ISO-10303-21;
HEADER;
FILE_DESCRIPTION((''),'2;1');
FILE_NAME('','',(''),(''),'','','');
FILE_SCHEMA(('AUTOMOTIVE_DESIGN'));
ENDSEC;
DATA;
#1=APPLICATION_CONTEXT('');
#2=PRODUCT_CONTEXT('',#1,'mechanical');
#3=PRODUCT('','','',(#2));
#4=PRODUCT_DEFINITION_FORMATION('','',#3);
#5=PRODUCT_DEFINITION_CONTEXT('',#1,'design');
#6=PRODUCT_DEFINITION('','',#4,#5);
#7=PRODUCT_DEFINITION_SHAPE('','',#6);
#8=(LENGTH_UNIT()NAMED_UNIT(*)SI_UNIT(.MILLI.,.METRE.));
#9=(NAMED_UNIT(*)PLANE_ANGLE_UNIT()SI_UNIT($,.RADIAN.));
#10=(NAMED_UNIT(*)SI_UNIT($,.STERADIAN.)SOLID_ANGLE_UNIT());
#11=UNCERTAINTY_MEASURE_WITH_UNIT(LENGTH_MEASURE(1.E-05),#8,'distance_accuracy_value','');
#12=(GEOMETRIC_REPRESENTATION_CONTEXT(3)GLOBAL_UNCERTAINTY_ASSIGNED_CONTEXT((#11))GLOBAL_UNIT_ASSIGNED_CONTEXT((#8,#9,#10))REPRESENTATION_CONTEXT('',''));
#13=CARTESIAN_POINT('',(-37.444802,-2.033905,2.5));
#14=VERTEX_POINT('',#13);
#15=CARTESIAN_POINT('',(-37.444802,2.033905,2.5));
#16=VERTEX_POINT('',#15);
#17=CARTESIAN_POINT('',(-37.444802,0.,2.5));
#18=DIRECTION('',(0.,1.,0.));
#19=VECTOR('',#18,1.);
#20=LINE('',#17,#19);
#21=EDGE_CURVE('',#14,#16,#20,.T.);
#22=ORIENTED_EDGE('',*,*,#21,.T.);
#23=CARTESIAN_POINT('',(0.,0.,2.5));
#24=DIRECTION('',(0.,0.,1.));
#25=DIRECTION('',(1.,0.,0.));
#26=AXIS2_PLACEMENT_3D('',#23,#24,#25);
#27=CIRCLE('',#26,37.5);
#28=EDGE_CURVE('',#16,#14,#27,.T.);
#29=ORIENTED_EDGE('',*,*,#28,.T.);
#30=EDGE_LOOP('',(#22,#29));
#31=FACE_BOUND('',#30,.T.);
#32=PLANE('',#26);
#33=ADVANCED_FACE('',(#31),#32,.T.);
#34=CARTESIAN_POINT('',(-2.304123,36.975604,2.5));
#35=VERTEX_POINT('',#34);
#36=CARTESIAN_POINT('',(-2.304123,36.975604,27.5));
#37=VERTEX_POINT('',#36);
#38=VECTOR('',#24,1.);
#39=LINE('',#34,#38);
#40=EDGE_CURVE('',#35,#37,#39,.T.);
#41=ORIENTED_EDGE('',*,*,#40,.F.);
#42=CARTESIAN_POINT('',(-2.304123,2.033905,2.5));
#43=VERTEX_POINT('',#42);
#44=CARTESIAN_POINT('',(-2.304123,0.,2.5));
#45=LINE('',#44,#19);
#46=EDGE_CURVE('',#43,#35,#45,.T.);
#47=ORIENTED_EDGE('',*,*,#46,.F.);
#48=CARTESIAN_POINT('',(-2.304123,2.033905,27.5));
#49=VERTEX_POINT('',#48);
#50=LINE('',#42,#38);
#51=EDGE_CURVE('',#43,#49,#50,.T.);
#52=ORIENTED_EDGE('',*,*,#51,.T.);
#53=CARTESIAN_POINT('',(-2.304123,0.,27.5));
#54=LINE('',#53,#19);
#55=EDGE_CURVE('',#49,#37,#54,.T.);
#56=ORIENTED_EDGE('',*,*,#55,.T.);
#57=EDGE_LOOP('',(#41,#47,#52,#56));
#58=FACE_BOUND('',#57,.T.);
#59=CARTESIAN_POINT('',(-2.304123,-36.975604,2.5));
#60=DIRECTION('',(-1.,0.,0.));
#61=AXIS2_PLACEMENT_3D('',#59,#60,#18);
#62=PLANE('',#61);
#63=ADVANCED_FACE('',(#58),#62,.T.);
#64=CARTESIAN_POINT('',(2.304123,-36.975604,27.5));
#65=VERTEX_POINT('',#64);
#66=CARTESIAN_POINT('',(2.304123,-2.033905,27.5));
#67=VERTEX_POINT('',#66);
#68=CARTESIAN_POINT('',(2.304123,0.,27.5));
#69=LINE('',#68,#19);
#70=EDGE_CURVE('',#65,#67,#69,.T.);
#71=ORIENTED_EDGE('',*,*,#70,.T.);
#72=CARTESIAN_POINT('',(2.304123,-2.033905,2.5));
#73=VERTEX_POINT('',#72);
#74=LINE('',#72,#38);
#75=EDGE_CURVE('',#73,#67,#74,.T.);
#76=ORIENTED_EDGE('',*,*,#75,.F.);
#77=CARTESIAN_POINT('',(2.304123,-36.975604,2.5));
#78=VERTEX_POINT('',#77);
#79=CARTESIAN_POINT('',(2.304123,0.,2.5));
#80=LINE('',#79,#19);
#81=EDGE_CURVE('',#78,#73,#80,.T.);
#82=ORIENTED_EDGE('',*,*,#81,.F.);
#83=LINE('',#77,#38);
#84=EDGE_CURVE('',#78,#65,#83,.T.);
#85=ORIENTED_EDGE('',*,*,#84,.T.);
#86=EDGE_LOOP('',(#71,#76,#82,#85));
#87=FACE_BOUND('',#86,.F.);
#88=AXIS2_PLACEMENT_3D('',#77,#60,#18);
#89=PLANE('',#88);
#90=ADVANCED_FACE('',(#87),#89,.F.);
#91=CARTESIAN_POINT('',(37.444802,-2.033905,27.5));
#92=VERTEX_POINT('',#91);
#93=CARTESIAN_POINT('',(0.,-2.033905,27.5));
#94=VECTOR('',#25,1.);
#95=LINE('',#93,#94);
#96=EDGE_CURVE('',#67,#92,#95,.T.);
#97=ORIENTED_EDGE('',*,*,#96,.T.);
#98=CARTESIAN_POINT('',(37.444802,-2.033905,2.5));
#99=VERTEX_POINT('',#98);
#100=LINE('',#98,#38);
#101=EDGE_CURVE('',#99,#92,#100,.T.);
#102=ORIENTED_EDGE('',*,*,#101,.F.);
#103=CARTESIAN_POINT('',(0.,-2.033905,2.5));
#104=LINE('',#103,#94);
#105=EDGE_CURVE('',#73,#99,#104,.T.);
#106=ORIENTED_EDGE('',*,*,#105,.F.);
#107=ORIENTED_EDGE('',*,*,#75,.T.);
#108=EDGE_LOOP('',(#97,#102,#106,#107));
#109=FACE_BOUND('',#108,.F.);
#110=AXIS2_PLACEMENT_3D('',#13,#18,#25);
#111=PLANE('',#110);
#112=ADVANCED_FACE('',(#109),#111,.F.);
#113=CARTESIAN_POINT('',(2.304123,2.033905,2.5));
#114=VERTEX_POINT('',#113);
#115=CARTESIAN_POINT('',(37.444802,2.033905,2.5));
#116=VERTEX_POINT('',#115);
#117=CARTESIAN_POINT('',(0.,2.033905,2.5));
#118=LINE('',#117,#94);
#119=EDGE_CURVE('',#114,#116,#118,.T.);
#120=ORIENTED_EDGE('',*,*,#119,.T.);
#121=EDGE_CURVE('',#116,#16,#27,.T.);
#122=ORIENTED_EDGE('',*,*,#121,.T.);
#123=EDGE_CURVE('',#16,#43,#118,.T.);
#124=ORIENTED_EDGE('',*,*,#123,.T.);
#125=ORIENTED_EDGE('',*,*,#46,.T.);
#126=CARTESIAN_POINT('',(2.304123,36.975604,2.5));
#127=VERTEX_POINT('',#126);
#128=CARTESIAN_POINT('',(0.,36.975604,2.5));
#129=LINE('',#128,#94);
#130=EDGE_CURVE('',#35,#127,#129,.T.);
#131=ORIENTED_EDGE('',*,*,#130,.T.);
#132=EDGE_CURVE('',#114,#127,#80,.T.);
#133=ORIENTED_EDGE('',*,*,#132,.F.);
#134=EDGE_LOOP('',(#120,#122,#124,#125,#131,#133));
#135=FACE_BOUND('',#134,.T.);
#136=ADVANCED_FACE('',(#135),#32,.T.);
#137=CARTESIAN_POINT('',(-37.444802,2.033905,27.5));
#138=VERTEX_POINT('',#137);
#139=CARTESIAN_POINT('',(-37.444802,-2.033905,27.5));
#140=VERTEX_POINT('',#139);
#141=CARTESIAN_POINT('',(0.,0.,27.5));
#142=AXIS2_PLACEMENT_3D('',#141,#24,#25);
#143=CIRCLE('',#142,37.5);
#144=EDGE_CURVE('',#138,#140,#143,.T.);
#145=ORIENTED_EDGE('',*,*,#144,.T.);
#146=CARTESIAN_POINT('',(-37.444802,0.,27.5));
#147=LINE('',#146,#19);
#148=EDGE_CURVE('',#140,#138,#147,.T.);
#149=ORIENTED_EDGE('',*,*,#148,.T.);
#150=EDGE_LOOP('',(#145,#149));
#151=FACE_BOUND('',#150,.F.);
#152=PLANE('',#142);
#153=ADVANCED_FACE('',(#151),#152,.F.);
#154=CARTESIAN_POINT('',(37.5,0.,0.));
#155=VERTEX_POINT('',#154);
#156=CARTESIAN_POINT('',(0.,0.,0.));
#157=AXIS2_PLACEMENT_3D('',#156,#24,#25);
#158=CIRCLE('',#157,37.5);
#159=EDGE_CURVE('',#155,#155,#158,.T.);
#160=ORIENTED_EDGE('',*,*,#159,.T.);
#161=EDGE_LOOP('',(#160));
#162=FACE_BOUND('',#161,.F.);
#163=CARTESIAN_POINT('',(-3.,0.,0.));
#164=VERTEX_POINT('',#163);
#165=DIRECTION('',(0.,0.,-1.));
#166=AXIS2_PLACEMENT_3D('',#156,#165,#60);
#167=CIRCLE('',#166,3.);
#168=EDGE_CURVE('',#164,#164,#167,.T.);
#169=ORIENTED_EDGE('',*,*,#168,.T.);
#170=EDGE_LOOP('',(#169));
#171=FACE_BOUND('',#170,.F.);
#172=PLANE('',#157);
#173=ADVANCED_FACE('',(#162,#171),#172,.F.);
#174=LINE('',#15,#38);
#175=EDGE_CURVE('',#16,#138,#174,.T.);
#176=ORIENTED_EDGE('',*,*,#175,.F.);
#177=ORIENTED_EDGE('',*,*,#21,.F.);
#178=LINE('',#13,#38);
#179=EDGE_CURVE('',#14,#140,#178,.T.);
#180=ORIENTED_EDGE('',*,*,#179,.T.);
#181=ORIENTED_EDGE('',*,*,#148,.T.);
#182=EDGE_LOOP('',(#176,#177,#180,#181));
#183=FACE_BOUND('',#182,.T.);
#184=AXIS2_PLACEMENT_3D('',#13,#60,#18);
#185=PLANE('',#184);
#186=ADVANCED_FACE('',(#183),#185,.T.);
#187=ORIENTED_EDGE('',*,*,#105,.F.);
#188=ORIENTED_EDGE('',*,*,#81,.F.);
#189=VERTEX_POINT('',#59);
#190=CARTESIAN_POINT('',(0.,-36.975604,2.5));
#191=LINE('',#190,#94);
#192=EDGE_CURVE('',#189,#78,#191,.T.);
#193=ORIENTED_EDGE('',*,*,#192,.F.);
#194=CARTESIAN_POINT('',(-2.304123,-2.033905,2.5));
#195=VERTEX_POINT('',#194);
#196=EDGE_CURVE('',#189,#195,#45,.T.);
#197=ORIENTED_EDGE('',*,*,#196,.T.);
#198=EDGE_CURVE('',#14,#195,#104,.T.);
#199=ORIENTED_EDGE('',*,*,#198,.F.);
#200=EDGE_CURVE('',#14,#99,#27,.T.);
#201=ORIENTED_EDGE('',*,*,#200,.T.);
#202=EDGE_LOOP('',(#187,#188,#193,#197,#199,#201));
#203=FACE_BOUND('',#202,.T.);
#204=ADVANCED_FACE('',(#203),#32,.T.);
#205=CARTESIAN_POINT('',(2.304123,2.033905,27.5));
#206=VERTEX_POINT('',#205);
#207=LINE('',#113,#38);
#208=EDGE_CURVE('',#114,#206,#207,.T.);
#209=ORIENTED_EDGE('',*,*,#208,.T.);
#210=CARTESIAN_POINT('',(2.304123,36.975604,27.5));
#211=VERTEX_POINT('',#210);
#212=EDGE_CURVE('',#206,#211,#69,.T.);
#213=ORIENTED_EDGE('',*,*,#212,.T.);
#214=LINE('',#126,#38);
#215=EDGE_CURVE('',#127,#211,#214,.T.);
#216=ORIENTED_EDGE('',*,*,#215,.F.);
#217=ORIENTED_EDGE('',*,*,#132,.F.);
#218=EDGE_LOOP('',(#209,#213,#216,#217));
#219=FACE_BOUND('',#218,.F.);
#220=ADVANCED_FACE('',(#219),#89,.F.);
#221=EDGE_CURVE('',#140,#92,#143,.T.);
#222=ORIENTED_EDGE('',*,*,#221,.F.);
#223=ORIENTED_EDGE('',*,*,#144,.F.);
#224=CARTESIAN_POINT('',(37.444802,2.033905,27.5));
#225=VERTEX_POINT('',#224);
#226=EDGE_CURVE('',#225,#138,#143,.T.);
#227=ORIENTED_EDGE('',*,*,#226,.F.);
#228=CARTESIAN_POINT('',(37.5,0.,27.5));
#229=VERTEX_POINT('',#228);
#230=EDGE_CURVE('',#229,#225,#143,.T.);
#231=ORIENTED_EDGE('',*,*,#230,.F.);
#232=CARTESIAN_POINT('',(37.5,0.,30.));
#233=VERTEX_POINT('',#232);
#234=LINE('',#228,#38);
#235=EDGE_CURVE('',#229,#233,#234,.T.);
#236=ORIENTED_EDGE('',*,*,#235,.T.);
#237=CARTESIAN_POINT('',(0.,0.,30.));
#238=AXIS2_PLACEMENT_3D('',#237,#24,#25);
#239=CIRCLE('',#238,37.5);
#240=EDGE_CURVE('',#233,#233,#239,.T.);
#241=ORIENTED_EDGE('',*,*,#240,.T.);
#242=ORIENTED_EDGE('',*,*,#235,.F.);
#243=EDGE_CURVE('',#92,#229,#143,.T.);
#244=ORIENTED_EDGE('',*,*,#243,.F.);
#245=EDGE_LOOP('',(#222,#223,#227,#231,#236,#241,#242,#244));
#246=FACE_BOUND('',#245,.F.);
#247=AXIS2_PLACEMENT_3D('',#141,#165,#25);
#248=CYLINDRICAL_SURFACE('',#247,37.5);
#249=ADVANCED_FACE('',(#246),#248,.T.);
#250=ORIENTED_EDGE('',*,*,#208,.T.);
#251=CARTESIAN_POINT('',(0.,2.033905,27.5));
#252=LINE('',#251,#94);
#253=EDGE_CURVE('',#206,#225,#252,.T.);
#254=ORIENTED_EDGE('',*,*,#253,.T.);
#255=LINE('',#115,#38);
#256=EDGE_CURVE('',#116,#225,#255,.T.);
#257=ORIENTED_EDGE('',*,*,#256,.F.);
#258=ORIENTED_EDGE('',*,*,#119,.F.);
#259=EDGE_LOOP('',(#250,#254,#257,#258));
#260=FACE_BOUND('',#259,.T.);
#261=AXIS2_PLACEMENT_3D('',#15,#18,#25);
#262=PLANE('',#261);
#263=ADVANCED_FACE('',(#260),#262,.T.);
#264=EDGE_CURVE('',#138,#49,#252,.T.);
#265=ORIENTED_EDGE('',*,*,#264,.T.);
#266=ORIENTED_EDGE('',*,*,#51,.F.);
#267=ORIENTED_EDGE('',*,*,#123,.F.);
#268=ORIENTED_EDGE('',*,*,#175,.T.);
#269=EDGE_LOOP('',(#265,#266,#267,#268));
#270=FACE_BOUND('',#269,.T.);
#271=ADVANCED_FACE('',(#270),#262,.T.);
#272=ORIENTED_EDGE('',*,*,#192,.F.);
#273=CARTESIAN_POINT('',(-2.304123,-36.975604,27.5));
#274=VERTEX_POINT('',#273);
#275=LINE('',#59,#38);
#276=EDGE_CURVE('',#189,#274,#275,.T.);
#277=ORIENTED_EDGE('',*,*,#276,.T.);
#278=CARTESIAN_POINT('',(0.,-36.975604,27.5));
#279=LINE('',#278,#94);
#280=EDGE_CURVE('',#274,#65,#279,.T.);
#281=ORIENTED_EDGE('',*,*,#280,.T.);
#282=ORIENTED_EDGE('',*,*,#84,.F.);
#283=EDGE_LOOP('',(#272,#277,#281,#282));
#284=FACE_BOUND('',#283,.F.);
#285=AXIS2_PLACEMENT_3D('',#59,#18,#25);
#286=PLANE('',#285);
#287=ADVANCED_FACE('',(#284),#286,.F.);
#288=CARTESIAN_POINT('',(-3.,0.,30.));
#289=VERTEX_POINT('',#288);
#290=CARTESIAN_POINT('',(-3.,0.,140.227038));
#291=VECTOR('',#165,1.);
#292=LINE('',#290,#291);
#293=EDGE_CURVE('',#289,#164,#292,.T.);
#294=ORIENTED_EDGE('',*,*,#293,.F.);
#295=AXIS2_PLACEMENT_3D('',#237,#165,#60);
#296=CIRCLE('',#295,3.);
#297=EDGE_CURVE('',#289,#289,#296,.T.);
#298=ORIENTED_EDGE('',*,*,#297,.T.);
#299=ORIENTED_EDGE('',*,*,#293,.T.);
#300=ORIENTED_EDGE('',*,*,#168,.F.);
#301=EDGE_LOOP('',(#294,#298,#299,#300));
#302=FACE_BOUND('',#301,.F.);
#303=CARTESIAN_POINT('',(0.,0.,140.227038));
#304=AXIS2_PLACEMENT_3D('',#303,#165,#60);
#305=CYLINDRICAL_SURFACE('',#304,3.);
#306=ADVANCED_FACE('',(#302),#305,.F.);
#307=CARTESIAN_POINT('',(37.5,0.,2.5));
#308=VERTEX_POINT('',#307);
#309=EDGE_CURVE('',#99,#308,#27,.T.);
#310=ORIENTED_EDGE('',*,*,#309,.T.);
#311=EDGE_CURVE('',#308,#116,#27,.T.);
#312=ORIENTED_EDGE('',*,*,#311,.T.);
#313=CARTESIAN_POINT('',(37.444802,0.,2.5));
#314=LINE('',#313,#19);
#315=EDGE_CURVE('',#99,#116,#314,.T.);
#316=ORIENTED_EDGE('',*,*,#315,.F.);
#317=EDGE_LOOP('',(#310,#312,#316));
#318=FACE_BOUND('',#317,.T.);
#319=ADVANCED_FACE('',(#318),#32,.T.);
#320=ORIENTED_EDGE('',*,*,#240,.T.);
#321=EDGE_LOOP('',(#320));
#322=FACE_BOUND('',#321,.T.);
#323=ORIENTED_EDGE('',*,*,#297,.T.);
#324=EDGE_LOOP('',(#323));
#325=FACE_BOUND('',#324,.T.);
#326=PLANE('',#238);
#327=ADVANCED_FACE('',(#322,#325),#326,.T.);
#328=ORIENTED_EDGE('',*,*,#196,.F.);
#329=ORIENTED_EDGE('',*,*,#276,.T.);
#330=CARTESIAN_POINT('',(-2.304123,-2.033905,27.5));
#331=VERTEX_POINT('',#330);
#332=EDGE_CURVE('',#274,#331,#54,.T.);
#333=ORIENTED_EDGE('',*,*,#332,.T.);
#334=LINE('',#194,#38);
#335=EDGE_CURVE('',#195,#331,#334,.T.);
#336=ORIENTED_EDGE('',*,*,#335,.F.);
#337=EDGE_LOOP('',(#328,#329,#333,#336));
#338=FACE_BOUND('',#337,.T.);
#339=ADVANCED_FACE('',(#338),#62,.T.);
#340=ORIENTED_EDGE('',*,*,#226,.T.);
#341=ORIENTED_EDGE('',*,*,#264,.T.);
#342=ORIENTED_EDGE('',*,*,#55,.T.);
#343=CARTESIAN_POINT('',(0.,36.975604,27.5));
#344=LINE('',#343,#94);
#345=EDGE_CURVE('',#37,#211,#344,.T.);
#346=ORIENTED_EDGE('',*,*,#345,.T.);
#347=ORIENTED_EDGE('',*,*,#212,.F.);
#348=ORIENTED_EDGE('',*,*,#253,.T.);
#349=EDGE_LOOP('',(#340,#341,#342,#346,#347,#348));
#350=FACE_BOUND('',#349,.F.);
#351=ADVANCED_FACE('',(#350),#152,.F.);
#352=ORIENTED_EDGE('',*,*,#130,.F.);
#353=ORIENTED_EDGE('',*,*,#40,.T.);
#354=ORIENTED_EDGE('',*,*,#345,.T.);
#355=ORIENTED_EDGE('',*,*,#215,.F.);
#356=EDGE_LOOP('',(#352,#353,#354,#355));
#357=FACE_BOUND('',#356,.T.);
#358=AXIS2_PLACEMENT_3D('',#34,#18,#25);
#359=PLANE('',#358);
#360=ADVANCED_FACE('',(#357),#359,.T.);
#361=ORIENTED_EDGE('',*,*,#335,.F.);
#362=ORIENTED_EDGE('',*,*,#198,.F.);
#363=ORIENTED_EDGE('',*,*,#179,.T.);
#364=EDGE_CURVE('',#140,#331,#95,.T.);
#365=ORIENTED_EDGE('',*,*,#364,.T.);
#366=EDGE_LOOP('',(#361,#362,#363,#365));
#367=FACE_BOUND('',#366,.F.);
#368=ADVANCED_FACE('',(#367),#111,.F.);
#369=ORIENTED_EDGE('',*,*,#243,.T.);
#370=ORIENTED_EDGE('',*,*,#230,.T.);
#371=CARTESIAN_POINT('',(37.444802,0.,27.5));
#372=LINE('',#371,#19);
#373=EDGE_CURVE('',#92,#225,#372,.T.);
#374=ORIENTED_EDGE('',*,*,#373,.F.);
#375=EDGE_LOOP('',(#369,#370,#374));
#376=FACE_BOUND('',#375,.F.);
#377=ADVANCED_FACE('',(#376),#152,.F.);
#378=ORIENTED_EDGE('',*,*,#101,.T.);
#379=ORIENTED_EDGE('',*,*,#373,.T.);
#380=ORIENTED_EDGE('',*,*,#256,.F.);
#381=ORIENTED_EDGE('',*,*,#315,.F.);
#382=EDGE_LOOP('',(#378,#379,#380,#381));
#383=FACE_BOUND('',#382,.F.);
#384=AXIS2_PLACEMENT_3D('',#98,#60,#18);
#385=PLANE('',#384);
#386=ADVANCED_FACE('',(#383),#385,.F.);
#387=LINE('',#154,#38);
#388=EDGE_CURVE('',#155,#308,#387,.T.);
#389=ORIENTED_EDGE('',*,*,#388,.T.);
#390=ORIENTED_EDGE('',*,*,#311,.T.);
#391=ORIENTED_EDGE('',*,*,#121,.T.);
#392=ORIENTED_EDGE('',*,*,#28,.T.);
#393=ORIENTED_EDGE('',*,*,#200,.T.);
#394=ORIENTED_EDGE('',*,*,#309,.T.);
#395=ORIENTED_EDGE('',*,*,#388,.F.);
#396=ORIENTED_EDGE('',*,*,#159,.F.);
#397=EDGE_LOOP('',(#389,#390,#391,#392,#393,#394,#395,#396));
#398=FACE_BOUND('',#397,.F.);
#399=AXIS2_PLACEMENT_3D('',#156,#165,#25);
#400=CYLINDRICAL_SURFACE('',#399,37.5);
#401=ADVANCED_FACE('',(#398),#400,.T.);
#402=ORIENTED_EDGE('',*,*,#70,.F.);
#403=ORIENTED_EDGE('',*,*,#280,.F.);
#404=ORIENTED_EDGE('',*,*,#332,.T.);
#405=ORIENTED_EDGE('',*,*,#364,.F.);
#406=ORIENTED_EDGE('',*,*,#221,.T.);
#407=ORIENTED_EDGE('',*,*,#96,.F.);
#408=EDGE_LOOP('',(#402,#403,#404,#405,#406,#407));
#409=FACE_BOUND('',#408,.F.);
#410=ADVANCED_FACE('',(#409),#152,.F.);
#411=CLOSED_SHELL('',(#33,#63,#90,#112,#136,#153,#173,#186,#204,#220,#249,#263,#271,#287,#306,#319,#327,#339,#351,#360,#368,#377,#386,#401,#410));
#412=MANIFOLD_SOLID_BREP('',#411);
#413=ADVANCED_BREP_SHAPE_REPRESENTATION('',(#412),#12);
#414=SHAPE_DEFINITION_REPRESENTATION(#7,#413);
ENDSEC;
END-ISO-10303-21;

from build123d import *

# Parameters (mm, degrees)
F0_R     = 37.5
F1_DEPTH = 2.5
F2_W     = 74.8896048808
F2_H     = 4.0678103206
F3_DEPTH = 25
F4_W     = 4.6082469635
F4_H     = 73.9512071013
F5_DEPTH = 25
F6_R     = 37.5
F7_DEPTH = 2.5
F9_D     = 6


with BuildPart() as f1:
    # F0 (on Top) → F1 (new body)
    with BuildSketch(Plane.XY):
        Circle(F0_R)
    extrude(amount=F1_DEPTH)

    # F2 (on face) → F3 (join)
    with BuildSketch(Plane.XY.offset(2.5)):
        Rectangle(F2_W, F2_H)
    extrude(amount=F3_DEPTH)

    # F4 (on face) → F5 (join)
    with BuildSketch(Plane.XY.offset(2.5)):
        Rectangle(F4_W, F4_H)
    extrude(amount=F5_DEPTH)

    # F6 (on face) → F7 (join)
    with BuildSketch(Plane.XY.offset(27.5)):
        Circle(F6_R)
    extrude(amount=F7_DEPTH)

    # F9 (through all)
    with Locations(Plane.XY.offset(30)):
        with Locations((0, 0)):
            Hole(F9_D / 2)


solid = f1.part
